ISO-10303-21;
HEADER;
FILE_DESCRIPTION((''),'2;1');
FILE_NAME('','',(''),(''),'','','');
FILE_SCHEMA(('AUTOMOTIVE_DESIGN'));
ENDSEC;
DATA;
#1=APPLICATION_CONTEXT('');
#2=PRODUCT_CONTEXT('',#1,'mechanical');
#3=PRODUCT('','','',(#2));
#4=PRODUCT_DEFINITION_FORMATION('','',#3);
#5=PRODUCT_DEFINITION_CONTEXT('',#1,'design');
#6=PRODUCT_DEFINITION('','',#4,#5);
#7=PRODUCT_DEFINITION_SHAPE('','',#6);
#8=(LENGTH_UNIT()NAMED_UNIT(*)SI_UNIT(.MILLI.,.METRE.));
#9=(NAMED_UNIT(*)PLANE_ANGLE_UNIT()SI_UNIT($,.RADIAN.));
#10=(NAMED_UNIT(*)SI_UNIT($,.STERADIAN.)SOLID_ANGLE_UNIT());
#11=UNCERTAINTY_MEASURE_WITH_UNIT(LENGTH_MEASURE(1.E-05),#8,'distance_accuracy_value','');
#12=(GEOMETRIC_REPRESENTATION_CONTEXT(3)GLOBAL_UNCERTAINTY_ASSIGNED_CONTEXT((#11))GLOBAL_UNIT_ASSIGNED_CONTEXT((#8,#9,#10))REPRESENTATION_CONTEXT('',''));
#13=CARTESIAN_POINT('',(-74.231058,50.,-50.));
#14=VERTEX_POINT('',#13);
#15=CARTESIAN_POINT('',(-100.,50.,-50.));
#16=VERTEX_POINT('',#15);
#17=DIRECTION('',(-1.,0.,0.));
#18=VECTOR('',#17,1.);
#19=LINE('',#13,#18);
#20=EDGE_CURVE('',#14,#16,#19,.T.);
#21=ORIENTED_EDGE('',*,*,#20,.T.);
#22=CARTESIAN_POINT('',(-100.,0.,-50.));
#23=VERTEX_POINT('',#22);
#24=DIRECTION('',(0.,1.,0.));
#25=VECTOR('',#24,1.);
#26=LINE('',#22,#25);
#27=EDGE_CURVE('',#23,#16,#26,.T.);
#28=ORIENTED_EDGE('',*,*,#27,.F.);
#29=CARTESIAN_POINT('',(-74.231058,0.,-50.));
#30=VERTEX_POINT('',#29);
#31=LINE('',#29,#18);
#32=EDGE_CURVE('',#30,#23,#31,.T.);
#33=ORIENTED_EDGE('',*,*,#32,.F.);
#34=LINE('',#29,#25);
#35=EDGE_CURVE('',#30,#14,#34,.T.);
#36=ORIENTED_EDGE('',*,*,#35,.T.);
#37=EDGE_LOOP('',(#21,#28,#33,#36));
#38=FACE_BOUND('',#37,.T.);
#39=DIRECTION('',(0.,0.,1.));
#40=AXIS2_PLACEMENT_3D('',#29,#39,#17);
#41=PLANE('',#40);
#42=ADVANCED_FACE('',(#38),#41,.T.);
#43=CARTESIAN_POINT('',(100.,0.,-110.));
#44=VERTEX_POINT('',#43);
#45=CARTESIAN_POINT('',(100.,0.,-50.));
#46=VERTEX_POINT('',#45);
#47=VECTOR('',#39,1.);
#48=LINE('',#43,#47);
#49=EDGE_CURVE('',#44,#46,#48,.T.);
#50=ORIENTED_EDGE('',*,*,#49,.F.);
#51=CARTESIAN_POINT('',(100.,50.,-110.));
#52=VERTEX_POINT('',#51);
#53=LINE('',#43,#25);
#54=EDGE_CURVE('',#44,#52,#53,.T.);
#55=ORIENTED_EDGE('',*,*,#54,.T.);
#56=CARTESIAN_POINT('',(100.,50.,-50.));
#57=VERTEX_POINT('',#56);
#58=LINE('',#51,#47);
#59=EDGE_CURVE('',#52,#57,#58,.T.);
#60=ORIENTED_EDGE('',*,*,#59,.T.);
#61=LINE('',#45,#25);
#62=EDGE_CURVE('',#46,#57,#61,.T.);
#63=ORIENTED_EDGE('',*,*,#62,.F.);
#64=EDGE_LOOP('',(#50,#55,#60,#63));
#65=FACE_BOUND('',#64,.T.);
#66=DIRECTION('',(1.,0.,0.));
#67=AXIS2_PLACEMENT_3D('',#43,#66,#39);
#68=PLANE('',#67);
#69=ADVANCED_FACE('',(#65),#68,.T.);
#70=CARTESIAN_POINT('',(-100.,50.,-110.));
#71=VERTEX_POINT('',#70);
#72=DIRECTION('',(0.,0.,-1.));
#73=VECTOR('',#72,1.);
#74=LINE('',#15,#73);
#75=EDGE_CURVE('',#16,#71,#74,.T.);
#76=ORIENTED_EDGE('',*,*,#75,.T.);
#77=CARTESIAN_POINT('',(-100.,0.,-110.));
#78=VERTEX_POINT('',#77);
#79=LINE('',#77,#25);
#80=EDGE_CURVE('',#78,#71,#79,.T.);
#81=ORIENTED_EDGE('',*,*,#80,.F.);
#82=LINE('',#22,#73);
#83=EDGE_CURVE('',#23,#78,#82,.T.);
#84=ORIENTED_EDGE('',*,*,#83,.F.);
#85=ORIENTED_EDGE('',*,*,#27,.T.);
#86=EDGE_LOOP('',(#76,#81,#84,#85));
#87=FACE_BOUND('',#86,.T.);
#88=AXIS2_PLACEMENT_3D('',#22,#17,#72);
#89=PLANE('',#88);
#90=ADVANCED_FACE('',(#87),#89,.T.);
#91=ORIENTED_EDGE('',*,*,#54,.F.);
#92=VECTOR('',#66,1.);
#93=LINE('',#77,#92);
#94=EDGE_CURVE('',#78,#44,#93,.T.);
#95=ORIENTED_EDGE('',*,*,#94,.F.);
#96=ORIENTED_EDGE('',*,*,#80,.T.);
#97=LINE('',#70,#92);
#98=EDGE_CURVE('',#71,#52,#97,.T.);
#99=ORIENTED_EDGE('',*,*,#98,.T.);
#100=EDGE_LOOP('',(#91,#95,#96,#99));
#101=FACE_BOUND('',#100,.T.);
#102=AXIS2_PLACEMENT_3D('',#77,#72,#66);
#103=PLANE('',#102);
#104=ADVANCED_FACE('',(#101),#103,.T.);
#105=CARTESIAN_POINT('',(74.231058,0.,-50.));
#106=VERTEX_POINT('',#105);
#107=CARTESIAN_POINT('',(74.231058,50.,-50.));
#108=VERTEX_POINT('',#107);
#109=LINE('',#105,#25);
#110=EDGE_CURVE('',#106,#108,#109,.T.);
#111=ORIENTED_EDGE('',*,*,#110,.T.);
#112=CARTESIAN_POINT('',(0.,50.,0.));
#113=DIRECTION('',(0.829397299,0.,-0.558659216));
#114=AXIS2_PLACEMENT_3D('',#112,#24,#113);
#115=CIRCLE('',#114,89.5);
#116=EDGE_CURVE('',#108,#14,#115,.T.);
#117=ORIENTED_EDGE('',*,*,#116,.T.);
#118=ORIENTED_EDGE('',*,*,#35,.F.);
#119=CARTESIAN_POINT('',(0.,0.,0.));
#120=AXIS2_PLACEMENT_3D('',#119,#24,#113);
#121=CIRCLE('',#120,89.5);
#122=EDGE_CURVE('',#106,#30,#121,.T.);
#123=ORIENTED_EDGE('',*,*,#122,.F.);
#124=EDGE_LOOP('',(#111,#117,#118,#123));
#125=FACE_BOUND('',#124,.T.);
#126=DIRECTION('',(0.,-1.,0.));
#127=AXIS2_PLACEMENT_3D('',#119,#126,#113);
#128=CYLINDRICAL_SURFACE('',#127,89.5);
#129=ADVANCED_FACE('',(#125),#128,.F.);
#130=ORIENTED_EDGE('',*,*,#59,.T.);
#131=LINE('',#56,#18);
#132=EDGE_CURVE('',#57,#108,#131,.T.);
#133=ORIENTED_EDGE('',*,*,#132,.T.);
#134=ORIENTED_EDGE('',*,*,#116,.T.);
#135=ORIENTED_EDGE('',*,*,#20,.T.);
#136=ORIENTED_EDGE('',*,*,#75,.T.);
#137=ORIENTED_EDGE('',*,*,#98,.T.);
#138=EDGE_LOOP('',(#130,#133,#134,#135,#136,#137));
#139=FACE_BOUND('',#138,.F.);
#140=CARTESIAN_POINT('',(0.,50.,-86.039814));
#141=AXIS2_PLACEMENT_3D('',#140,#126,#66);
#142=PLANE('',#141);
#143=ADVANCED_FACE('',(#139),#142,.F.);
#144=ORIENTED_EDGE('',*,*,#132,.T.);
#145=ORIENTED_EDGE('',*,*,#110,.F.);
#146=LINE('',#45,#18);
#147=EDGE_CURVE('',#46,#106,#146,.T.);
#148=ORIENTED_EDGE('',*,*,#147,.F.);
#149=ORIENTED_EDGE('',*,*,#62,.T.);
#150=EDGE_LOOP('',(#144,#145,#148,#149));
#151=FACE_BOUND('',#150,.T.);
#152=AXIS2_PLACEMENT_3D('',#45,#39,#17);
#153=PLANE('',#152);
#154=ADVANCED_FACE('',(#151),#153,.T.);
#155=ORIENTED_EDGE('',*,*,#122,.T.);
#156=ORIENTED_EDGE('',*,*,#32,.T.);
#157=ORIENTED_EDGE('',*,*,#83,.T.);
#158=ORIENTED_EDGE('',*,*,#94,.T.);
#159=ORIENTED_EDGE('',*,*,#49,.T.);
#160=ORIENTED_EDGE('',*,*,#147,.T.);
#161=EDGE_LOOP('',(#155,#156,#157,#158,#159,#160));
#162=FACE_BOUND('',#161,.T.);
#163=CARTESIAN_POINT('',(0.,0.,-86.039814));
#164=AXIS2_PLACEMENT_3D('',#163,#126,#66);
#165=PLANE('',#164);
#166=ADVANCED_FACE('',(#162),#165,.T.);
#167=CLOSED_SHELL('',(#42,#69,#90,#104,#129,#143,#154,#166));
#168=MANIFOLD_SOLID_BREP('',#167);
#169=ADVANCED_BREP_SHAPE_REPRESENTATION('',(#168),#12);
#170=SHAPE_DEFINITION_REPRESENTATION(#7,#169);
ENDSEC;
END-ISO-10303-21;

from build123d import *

# Parameters (mm, degrees)
F1_DEPTH = 50


with BuildPart() as f1:
    # F0 (on Front) → F1 (new body)
    with BuildSketch(Plane.XZ):
        with BuildLine():
            ThreePointArc((74.231058, -50), (0, -89.5), (-74.231058, -50))
            Line((-74.231058, -50), (-100, -50))
            Line((-100, -50), (-100, -110))
            Line((-100, -110), (100, -110))
            Line((100, -110), (100, -50))
            Line((100, -50), (74.231058, -50))
        make_face()
    extrude(amount=-F1_DEPTH)


solid = f1.part
